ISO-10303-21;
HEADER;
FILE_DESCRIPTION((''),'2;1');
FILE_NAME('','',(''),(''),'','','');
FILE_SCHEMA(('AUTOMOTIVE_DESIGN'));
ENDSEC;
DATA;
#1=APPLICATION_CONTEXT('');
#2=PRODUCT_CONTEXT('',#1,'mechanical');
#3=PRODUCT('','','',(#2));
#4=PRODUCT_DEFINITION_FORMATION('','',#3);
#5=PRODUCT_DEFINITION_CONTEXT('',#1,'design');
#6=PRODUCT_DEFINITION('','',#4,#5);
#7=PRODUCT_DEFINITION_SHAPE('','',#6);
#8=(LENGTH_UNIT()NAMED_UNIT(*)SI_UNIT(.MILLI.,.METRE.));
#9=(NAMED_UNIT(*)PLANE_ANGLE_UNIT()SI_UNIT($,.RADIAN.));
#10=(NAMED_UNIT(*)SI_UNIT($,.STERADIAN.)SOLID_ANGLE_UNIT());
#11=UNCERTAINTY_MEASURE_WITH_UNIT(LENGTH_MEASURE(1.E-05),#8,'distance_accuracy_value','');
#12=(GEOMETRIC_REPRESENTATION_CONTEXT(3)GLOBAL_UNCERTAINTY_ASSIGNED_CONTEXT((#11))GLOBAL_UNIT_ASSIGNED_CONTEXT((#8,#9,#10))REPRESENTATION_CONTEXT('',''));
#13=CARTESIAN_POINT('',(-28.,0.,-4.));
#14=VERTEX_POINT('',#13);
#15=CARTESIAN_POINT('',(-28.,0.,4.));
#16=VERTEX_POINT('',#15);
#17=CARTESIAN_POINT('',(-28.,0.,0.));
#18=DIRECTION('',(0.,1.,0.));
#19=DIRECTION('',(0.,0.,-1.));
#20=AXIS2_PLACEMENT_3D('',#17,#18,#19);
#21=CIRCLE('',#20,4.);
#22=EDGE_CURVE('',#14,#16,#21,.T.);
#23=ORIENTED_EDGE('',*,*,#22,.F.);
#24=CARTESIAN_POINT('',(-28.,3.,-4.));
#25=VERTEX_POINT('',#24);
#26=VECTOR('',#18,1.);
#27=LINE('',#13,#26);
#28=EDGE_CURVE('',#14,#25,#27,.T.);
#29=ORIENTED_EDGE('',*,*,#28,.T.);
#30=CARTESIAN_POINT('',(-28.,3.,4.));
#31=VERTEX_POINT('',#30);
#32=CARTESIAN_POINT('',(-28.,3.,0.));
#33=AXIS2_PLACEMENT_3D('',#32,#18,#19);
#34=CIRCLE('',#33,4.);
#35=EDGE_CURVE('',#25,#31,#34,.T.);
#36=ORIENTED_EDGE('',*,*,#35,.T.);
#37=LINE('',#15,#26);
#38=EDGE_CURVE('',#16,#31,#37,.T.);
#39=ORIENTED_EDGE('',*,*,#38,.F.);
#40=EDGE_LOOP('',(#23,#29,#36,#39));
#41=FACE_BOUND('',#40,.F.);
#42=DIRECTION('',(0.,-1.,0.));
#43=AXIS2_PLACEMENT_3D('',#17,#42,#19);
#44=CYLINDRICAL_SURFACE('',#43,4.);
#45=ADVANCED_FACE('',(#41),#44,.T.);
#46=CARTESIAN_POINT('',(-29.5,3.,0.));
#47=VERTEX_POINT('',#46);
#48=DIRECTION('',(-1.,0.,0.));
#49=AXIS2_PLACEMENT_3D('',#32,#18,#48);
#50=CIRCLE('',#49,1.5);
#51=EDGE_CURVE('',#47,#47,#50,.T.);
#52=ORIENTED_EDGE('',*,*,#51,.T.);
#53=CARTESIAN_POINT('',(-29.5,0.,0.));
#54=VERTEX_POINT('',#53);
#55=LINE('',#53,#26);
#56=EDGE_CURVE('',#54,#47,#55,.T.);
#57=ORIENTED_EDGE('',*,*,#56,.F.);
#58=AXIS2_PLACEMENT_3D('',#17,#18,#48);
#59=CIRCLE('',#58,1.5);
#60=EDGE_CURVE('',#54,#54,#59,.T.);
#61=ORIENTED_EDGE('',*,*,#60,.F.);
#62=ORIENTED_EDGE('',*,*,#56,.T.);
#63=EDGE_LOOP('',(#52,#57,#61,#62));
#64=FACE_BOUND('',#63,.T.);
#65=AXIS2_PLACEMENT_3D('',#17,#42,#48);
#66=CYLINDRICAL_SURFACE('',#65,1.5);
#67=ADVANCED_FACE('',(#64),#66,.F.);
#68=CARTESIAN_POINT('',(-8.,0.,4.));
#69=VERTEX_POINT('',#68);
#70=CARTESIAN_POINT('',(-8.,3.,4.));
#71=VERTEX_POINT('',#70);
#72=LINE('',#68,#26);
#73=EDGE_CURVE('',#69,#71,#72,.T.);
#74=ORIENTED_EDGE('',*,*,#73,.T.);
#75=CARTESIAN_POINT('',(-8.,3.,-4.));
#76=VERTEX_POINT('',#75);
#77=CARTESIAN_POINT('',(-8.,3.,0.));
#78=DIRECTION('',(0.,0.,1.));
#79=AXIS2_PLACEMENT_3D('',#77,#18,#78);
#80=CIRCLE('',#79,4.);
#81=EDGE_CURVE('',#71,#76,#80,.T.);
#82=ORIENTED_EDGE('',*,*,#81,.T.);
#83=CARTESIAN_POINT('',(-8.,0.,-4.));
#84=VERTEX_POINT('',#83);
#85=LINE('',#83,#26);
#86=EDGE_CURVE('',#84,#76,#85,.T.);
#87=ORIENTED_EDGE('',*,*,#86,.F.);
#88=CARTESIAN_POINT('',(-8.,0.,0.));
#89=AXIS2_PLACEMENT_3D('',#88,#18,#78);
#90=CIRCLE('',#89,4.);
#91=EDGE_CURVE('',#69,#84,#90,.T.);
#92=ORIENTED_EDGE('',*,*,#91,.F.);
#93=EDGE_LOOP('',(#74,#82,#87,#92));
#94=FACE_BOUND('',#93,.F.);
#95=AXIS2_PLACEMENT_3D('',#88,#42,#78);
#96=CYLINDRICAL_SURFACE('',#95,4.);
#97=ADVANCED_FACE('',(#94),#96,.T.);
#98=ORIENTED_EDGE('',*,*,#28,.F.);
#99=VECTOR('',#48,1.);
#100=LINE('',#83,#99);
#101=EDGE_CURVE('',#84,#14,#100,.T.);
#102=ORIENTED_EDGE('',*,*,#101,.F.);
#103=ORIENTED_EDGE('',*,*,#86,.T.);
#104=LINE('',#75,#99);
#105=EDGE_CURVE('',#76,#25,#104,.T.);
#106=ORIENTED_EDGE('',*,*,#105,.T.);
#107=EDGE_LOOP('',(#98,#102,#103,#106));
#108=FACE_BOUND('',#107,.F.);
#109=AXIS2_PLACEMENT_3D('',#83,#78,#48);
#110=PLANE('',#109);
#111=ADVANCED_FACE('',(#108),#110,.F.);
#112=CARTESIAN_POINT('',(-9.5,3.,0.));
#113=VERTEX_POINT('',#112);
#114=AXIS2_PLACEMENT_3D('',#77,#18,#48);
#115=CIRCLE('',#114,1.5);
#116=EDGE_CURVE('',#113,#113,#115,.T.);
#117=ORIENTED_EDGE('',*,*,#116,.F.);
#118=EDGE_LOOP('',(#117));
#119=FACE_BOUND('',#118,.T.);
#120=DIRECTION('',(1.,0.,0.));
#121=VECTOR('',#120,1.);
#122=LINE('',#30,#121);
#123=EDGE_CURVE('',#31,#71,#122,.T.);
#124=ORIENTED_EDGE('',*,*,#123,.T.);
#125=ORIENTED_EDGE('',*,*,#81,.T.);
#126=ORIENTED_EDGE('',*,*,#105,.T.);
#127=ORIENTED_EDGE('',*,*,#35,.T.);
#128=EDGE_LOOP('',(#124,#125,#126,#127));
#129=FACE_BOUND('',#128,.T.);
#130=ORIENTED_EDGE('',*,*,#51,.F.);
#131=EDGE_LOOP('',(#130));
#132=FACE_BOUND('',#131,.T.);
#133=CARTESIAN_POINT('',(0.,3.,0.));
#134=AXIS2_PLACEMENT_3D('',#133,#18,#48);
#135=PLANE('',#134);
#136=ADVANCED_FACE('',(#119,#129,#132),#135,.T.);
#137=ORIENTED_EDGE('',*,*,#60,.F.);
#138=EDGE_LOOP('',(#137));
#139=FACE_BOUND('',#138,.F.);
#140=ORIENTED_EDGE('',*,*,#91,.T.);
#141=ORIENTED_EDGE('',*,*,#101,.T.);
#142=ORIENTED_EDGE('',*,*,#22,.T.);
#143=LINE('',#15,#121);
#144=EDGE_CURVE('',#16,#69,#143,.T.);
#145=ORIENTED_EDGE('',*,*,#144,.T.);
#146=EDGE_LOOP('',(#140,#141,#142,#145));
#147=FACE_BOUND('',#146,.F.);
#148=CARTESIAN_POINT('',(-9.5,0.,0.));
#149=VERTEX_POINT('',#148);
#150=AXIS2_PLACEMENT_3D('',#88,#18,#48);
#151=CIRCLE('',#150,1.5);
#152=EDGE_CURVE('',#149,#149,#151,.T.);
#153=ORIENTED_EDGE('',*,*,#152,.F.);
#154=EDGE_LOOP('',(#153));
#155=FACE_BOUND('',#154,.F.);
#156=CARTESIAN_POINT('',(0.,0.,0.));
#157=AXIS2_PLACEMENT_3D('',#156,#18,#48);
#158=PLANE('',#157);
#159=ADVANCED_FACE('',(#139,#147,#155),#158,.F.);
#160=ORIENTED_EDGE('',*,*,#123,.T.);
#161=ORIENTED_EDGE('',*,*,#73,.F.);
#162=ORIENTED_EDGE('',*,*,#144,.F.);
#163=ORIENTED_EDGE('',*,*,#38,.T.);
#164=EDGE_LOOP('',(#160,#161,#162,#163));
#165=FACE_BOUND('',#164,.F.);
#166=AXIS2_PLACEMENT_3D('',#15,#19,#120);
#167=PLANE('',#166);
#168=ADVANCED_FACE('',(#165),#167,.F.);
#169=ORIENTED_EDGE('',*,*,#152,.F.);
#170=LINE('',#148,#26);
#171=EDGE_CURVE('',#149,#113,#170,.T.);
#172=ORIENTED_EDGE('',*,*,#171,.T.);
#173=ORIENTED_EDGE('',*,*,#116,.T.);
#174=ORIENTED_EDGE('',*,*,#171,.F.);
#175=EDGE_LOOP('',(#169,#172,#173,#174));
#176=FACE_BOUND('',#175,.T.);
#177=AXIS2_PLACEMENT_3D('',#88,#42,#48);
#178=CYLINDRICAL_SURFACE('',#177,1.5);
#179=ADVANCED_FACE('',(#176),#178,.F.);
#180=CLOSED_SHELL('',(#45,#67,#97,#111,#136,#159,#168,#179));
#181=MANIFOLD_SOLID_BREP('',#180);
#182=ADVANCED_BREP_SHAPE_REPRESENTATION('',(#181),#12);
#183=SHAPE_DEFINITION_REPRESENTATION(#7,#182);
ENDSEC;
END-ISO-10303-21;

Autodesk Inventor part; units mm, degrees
ref_plane "YZ Plane" through (0, 0, 0) normal (1, 0, 0) x (0, 1, 0)
ref_plane "XZ Plane" through (0, 0, 0) normal (0, 1, 0) x (-1, 0, 0)
ref_plane "XY Plane" through (0, 0, 0) normal (0, 0, 1) x (1, 0, 0)
sketch "Sketch1" plane through (0, 0, 0) normal (0, 1, 0) x (-1, 0, 0)
  circle A0 centre (28, 0) radius 1.5
  circle A1 centre (8, 0) radius 1.5
  arc A2 (28, -4) -> (28, 4) centre (28, 0) ccw
  arc A3 (8, 4) -> (8, -4) centre (8, 0) ccw
  line L0 (28, 4) -> (8, 4)
  line L1 (8, -4) -> (28, -4)
  point P0 (0, 0)
  dimension "d0" = 3
  dimension "d1" = 4
  dimension "d2" = 4
  dimension "d5" = 20
extrude "Extrusion1" add sketch "Sketch1" along normal blind 3
properties part number "Light gate compression plate" material "Polycarbonate, Smoke"
